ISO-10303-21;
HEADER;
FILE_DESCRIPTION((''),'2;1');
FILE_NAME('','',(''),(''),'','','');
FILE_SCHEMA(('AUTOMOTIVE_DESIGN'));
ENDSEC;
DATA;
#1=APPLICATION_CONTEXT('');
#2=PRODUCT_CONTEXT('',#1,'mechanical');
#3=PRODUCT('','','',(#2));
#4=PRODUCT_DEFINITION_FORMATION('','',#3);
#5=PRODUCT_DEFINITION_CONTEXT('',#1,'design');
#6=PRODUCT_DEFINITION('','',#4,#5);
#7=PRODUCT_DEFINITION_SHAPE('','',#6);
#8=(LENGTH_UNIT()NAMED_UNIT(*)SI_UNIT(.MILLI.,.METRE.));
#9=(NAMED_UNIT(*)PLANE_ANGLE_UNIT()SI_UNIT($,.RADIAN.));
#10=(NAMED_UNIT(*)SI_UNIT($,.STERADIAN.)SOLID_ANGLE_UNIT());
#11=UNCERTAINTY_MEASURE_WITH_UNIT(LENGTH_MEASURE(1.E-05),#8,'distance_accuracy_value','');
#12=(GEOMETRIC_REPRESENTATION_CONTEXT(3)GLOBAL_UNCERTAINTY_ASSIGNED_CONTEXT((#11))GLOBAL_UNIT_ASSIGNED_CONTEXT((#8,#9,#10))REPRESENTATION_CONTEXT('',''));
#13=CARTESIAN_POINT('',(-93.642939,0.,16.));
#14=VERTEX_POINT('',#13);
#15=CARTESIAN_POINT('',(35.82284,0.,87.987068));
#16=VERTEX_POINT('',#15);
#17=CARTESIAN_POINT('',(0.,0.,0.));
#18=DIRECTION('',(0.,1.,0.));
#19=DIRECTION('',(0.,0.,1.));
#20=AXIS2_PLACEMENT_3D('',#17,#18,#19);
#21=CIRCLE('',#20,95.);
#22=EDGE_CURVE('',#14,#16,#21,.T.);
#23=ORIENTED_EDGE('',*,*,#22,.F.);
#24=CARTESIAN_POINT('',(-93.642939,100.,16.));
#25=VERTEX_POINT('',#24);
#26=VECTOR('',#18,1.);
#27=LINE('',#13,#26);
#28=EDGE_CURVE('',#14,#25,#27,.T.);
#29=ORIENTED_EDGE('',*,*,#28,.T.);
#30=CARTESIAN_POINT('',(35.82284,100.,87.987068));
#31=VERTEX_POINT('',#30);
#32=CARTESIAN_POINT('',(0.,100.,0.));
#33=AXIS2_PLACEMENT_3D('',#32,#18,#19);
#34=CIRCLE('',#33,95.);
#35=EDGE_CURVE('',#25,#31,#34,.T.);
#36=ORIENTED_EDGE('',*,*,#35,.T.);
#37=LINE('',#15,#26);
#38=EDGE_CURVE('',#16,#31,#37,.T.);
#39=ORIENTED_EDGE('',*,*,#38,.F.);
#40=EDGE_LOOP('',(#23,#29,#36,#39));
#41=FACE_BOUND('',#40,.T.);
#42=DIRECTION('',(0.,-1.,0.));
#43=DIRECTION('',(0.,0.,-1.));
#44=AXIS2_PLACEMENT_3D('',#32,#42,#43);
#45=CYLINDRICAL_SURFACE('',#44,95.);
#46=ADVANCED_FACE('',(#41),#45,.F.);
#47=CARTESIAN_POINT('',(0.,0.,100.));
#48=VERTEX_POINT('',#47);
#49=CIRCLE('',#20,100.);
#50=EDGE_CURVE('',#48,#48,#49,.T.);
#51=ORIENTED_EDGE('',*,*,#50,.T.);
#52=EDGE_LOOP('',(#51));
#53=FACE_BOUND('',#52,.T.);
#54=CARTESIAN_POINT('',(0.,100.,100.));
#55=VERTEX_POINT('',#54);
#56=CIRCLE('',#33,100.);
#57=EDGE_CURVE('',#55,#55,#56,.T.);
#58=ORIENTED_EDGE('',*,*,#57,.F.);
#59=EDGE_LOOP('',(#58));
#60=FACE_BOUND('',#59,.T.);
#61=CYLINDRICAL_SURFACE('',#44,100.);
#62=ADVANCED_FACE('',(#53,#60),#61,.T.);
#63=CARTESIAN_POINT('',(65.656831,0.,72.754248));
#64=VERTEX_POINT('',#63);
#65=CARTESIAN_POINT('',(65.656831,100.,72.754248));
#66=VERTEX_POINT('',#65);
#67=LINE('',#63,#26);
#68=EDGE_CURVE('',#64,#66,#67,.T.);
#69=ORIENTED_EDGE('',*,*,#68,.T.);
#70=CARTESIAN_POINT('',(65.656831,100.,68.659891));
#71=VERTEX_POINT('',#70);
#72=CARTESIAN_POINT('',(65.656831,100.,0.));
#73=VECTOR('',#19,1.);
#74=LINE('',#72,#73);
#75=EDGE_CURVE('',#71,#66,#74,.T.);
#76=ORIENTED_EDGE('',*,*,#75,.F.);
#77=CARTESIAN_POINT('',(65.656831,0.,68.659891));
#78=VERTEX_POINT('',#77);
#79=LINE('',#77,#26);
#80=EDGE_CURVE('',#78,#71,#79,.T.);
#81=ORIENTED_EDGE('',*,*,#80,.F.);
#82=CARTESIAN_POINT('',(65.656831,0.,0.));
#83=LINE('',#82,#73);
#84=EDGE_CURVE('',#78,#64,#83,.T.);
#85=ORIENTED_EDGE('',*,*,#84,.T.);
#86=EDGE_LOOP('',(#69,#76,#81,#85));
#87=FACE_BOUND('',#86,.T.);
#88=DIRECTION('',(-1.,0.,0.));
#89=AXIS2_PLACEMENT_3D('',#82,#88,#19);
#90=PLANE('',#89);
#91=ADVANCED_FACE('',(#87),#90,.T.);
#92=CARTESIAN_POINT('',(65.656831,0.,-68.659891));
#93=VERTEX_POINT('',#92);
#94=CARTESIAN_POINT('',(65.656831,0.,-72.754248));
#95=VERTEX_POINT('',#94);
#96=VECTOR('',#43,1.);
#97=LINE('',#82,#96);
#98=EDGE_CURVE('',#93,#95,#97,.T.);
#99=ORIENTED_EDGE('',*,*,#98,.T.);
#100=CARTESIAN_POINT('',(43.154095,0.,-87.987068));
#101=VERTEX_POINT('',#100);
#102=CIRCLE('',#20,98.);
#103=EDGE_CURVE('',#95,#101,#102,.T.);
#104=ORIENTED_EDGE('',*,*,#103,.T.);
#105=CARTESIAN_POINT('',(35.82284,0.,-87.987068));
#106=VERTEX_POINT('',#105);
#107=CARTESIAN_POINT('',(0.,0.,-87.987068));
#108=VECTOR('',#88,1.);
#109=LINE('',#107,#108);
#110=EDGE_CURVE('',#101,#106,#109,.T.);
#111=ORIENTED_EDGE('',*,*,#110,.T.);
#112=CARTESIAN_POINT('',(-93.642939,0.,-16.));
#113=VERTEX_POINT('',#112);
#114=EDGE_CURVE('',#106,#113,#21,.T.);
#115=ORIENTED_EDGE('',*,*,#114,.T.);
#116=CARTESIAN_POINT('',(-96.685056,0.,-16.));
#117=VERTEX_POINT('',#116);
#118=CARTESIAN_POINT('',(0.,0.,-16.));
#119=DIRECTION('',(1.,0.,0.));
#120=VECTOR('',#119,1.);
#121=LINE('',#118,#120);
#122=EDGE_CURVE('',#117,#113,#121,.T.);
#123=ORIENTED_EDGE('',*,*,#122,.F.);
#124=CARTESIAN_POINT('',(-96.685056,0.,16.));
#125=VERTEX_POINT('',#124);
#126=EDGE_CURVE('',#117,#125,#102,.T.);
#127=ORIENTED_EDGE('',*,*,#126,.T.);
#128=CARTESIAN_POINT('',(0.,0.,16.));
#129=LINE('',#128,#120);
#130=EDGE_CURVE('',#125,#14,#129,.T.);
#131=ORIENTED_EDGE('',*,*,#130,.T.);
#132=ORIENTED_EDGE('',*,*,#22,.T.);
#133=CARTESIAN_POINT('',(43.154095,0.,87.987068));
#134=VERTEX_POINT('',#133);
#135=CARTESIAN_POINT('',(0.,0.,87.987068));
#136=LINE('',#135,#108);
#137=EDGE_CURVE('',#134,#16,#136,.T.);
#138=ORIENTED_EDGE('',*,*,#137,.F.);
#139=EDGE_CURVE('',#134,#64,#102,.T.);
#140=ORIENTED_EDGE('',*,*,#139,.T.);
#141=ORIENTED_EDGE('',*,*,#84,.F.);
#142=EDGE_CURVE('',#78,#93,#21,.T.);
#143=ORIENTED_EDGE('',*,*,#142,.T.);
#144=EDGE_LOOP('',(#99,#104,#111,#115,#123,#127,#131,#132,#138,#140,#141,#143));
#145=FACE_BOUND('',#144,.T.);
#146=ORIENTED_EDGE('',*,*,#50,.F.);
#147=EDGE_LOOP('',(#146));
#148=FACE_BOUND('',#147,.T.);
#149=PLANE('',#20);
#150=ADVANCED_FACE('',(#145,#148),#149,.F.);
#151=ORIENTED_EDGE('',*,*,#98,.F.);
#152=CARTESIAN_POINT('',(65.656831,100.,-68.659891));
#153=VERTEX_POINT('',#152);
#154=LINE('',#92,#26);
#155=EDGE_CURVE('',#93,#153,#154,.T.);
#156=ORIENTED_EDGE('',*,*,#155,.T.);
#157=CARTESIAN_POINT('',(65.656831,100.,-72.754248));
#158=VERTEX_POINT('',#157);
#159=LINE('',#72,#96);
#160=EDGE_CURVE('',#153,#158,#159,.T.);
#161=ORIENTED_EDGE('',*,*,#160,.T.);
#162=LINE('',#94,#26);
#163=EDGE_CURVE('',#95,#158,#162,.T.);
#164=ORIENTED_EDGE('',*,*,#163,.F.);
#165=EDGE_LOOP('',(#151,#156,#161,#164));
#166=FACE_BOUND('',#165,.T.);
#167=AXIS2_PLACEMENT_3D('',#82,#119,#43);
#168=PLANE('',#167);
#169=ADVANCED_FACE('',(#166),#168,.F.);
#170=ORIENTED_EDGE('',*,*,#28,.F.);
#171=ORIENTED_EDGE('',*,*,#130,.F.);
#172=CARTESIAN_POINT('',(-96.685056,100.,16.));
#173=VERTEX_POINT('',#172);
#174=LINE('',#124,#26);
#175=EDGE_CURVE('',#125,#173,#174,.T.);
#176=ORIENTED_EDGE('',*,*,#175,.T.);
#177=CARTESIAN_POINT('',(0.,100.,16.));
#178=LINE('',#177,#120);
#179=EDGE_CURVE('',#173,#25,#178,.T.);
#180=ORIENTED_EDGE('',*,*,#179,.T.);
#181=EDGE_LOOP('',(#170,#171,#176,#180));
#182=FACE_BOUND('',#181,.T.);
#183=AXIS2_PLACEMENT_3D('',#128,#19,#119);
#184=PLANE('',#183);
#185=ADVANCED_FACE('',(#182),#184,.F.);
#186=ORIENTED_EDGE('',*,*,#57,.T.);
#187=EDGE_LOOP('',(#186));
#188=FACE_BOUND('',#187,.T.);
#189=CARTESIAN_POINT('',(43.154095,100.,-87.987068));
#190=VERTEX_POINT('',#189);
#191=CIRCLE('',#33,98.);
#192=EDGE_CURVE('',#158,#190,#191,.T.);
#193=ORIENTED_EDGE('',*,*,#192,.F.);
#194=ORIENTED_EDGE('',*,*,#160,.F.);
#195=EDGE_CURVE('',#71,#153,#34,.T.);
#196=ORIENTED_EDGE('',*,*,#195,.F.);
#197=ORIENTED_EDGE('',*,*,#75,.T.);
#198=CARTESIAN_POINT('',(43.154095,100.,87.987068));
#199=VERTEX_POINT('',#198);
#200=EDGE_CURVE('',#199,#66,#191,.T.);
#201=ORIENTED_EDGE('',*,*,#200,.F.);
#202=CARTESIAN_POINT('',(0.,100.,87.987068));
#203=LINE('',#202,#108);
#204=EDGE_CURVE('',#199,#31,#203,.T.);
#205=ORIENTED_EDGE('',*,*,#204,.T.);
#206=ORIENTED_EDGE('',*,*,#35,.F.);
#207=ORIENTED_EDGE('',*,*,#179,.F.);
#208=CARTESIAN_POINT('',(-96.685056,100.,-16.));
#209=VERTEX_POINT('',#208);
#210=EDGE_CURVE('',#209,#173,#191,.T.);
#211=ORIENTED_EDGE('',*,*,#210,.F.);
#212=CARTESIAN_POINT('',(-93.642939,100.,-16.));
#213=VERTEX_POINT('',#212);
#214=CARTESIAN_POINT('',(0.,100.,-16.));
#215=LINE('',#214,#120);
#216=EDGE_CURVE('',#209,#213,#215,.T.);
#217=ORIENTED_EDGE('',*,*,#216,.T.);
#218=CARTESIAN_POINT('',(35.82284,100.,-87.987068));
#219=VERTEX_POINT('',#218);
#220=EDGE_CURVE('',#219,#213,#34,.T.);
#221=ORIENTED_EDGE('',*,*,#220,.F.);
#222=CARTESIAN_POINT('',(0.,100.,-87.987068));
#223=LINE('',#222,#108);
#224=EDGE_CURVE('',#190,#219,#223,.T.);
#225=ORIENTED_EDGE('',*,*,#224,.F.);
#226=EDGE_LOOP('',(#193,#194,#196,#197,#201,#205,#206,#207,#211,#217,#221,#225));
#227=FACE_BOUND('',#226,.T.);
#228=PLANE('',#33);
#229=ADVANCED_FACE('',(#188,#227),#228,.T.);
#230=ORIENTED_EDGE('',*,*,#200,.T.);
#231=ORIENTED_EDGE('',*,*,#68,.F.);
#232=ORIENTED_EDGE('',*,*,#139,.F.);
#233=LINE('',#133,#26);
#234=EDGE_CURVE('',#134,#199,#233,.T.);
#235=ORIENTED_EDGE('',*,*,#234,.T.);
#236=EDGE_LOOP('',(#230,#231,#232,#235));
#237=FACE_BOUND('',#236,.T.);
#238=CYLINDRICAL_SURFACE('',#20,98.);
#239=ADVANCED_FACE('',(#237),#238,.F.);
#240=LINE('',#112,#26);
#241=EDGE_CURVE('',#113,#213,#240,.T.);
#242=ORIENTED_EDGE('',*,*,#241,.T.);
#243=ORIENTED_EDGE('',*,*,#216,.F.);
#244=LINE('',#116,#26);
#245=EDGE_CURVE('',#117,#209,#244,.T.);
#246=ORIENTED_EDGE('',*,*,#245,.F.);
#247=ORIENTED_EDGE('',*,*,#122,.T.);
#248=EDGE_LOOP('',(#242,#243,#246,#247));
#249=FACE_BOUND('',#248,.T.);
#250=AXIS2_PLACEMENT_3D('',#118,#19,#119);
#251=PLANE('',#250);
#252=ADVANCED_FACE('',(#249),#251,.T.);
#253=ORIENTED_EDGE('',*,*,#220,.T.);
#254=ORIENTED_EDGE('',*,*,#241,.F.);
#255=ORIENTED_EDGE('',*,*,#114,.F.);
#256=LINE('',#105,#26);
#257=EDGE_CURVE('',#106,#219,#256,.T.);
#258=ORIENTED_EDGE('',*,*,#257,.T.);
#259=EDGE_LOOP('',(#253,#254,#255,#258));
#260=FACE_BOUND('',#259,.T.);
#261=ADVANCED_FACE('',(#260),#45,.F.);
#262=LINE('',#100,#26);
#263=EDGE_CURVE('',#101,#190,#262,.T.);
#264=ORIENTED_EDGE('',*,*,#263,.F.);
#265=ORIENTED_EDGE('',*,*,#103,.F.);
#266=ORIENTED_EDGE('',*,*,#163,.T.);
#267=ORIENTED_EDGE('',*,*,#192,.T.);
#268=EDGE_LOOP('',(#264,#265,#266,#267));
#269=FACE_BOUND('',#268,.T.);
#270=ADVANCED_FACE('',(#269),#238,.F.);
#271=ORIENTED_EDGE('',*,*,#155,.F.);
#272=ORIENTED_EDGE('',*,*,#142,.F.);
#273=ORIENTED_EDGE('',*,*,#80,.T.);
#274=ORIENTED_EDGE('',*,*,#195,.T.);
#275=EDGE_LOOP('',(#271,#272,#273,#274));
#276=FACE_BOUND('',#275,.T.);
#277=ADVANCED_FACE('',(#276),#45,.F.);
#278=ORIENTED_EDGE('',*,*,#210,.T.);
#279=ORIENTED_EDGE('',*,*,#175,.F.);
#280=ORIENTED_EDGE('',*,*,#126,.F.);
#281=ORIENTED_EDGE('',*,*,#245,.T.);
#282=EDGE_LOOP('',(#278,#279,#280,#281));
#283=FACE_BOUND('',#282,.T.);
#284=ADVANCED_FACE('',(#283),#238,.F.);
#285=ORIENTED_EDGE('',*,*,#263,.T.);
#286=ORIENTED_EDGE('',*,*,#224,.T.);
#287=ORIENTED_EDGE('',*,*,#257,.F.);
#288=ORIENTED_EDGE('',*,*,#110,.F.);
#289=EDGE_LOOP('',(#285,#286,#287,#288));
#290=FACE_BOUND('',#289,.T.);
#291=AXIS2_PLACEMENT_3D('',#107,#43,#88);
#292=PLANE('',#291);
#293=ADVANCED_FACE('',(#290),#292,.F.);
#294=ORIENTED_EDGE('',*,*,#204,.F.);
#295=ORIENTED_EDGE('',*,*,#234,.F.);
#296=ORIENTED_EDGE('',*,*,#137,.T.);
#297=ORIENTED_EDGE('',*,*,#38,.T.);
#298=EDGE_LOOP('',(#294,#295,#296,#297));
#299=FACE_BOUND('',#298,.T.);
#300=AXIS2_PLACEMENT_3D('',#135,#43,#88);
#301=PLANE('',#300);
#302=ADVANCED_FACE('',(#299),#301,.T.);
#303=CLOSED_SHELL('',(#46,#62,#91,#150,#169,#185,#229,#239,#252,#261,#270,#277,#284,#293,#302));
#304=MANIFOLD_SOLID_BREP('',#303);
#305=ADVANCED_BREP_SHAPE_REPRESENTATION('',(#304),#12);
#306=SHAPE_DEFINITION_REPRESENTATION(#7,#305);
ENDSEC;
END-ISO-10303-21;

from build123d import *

# Parameters (mm, degrees)
SKETCH1_R           = 100
SKETCH1_R_2         = 95
BOSS_EXTRUDE1_DEPTH = 100
CUT_EXTRUDE1_DEPTH  = 101


with BuildPart() as part:
    # Sketch1 → Boss-Extrude1 (new body)
    with BuildSketch(Plane(origin=(0, 0, 0), x_dir=(1, 0, 0), z_dir=(0, 1, 0))):
        Circle(SKETCH1_R)
        Circle(SKETCH1_R_2, mode=Mode.SUBTRACT)
    extrude(amount=BOSS_EXTRUDE1_DEPTH)

    # Sketch2 → Cut-Extrude1 (cut, through all)
    with BuildSketch(Plane(origin=(0, 100, 0), x_dir=(1, 0, 0), z_dir=(0, 1, 0))):
        with BuildLine():
            ThreePointArc((65.656830535, 72.754248014), (54.935999613, 81.154395731), (43.154094517, 87.98706795))
            Line((43.154094517, 87.98706795), (35.82284011, 87.98706795))
            ThreePointArc((35.82284011, 87.98706795), (51.651871532, 79.731324881), (65.656830535, 68.659890795))
            Line((65.656830535, 68.659890795), (65.656830535, 72.754248014))
        make_face()
        with BuildLine():
            ThreePointArc((43.154094517, -87.98706795), (54.935999613, -81.154395731), (65.656830535, -72.754248014))
            Line((65.656830535, -72.754248014), (65.656830535, -68.659890795))
            ThreePointArc((65.656830535, -68.659890795), (51.651871532, -79.731324881), (35.82284011, -87.98706795))
            Line((35.82284011, -87.98706795), (43.154094517, -87.98706795))
        make_face()
        with BuildLine():
            Line((-93.642938869, 16), (-96.685055722, 16))
            ThreePointArc((-96.685055722, 16), (-98, 0), (-96.685055722, -16))
            Line((-96.685055722, -16), (-93.642938869, -16))
            ThreePointArc((-93.642938869, -16), (-95, 0), (-93.642938869, 16))
        make_face()
    extrude(amount=-CUT_EXTRUDE1_DEPTH, mode=Mode.SUBTRACT)


solid = part.part
